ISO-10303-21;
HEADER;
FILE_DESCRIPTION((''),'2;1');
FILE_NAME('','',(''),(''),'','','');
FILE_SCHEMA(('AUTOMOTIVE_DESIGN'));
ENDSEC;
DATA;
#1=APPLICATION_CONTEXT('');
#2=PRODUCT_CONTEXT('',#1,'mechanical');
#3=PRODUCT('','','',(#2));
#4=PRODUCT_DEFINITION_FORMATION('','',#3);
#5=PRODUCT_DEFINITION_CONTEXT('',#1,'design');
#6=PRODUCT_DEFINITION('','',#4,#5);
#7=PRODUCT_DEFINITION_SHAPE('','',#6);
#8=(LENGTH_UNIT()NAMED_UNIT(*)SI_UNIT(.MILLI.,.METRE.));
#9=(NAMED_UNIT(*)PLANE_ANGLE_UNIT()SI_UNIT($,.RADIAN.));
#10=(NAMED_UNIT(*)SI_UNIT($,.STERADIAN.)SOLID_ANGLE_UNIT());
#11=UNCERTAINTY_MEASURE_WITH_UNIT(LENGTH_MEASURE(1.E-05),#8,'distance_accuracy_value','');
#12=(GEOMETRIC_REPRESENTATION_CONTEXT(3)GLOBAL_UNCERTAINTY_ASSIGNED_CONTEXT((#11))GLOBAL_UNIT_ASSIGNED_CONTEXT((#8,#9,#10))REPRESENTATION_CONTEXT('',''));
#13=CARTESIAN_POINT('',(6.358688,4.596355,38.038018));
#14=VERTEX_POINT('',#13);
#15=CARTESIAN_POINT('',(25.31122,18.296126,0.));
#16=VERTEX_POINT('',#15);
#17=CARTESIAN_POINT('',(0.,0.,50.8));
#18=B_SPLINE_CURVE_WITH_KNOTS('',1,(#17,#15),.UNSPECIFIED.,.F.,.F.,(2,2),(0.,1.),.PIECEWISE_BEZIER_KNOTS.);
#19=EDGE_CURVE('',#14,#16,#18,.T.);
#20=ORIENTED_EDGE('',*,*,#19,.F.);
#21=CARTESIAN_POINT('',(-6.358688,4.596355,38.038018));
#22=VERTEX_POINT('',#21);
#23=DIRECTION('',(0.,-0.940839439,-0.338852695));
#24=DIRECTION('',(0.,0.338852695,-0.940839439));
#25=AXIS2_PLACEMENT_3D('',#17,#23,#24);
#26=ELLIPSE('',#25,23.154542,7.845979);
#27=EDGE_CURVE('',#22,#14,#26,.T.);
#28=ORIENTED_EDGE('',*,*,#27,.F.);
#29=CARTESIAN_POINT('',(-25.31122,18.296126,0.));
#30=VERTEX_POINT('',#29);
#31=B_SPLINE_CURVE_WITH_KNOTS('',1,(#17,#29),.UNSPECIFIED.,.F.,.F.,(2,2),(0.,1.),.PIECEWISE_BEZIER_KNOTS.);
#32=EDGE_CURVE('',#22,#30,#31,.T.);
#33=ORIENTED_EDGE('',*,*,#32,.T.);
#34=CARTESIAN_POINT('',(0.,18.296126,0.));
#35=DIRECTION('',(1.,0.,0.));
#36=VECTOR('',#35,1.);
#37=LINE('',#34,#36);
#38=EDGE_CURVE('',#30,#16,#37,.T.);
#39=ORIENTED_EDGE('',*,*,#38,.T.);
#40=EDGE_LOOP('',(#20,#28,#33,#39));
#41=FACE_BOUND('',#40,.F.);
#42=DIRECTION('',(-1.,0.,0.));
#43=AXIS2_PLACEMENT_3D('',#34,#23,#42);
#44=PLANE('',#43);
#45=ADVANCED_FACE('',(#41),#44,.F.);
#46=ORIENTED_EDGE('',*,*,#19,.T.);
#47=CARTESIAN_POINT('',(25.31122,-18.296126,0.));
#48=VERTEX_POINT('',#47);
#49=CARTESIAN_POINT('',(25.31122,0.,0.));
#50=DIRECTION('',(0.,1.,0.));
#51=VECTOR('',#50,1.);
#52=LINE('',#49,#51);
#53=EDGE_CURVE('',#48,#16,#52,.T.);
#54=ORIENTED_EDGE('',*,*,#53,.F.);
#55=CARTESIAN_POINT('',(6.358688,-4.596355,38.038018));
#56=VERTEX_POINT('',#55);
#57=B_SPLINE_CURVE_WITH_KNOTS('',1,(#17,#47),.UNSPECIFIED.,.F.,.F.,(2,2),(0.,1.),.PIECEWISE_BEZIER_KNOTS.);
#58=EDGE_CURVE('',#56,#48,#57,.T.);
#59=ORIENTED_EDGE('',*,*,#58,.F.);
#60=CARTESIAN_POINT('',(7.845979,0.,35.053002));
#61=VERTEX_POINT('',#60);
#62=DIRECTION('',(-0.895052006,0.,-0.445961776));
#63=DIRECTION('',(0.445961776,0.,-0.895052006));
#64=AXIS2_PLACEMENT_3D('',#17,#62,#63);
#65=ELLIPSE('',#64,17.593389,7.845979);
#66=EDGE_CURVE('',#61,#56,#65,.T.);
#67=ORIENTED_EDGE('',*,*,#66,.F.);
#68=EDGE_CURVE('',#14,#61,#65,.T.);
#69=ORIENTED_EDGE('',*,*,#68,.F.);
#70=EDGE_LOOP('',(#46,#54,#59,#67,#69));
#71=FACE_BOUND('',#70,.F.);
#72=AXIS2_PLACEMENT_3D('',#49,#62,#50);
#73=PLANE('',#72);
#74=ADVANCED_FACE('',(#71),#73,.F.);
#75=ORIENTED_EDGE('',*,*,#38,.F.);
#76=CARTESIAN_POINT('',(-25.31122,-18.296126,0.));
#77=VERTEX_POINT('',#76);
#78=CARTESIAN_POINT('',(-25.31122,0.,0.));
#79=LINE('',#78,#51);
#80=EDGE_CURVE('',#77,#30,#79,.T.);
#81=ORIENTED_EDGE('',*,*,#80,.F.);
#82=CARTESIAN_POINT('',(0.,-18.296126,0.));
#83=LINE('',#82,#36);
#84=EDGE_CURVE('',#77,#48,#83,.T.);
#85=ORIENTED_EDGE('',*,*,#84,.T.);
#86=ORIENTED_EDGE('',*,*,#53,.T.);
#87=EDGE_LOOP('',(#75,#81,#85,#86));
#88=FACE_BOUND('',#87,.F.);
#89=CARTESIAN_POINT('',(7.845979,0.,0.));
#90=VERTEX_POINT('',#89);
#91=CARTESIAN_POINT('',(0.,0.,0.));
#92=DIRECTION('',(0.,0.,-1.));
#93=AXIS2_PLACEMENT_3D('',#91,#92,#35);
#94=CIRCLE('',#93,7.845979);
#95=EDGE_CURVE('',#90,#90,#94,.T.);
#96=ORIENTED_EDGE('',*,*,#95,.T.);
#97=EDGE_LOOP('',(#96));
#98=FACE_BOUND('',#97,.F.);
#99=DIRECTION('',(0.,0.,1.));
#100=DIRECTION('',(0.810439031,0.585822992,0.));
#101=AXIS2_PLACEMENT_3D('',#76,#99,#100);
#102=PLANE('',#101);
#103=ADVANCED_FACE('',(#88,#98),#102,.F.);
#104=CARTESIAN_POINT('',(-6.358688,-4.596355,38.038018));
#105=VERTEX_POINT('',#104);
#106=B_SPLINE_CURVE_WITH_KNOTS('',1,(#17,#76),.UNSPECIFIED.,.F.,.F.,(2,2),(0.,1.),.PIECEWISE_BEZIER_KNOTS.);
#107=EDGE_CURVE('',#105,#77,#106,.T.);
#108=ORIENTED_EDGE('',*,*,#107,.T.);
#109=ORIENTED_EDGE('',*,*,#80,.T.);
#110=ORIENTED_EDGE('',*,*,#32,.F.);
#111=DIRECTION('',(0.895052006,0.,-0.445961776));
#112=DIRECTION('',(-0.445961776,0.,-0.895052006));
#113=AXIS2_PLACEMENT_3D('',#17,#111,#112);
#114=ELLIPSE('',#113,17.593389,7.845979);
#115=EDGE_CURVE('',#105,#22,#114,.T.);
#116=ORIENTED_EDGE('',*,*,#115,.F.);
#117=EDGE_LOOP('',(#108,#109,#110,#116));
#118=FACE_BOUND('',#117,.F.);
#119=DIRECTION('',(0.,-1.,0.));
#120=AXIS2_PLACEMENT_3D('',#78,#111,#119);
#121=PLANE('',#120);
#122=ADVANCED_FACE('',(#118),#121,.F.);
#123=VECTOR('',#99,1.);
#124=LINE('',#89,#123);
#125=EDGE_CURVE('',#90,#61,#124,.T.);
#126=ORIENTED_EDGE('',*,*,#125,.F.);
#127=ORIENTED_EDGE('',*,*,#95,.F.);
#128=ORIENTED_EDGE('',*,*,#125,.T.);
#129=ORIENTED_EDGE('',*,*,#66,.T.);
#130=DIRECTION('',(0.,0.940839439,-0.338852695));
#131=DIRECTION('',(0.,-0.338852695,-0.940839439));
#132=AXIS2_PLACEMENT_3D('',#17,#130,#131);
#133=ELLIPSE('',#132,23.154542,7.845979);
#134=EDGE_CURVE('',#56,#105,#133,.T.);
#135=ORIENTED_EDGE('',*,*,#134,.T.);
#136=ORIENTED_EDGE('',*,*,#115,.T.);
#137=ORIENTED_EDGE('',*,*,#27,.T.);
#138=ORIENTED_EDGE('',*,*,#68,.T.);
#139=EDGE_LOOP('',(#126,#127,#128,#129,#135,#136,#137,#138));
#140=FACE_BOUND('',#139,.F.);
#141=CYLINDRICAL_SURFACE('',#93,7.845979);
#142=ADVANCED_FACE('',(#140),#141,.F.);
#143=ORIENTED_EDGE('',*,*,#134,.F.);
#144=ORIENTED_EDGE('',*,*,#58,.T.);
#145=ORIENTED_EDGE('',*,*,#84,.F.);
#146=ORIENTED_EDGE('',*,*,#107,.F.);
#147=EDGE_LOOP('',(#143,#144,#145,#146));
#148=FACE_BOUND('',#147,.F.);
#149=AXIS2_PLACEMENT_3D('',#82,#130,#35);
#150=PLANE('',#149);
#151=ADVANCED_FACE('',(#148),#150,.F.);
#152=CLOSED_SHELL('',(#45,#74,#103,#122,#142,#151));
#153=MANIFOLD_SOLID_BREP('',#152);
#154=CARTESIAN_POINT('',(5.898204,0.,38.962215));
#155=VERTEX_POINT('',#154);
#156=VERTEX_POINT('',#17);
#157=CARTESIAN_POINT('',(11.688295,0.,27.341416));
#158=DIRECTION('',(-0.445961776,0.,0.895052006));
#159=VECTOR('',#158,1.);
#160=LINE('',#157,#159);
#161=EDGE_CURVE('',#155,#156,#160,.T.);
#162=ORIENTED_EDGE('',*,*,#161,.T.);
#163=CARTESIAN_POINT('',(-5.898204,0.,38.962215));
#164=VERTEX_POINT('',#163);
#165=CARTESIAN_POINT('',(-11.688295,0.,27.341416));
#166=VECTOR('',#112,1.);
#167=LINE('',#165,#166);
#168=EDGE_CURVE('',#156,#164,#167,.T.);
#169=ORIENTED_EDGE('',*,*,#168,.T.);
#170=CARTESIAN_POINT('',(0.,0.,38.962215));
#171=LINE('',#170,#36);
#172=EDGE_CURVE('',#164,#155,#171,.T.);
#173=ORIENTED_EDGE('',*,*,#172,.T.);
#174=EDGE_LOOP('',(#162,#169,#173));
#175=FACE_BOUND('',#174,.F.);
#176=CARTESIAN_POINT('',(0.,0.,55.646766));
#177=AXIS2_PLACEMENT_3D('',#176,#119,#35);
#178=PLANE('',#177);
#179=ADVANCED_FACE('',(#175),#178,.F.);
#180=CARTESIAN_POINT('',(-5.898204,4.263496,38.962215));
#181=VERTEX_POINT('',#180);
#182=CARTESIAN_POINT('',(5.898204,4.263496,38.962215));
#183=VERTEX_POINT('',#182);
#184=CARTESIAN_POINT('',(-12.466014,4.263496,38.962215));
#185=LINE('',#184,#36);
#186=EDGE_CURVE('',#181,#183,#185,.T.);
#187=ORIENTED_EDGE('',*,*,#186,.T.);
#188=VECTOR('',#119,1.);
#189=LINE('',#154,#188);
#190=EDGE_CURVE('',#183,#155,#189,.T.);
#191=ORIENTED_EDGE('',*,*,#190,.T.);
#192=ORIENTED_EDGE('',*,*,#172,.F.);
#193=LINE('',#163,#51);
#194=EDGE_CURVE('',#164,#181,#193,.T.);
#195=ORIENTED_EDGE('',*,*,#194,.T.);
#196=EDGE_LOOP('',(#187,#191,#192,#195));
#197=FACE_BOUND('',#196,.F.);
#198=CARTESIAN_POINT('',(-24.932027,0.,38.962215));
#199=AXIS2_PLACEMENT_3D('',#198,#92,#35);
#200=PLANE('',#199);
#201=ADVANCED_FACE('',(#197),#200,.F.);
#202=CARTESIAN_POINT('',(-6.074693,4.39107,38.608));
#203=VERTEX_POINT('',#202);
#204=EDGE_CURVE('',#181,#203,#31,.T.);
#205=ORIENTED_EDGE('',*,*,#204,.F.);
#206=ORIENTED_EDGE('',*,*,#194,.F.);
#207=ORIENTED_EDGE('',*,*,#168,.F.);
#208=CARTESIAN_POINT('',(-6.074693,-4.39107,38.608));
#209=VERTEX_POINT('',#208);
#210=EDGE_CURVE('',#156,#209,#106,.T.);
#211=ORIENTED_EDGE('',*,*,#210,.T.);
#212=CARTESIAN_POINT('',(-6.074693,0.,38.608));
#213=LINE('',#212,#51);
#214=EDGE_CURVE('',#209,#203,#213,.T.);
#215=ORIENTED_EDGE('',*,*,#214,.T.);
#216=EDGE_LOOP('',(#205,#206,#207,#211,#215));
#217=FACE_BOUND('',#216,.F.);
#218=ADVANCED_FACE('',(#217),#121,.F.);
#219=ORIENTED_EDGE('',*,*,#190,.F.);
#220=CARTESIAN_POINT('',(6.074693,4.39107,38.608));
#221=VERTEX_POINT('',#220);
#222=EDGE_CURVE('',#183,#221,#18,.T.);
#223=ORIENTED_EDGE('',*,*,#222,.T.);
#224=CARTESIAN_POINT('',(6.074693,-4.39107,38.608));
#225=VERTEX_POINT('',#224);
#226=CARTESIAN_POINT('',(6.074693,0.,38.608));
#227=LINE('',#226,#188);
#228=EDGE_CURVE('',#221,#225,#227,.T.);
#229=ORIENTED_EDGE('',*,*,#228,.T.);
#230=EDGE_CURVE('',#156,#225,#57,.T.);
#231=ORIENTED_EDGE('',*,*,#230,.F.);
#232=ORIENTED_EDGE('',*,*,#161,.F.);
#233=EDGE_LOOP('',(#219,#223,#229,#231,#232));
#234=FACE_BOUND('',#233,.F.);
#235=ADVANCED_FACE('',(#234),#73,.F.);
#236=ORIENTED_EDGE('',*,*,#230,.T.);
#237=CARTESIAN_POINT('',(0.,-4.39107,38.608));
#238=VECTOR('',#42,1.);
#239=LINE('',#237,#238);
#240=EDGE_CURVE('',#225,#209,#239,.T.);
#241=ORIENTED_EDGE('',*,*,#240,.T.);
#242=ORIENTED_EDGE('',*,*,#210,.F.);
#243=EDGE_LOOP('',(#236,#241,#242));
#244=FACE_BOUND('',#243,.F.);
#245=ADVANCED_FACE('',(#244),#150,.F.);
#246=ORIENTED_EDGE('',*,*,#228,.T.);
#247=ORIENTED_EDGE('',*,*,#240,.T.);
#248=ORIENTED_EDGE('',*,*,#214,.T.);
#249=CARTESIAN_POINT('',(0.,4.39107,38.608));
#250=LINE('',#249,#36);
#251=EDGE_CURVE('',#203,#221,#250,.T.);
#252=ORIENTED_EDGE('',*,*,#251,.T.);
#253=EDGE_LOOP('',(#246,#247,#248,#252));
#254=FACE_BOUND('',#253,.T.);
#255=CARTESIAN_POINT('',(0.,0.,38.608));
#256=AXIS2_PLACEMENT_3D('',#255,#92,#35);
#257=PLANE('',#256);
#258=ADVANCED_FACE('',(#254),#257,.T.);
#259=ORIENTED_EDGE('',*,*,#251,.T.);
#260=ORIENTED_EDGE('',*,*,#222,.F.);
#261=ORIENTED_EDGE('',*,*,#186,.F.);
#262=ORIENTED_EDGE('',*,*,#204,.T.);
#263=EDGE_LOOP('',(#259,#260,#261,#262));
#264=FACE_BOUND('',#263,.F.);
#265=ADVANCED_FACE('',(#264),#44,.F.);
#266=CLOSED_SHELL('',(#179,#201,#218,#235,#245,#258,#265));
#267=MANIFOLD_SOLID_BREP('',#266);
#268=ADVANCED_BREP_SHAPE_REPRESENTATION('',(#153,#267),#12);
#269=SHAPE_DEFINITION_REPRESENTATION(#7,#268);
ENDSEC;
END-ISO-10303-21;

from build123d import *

# Parameters (mm, degrees)
F0_W     = 50.62244
F0_H     = 36.592252
F4_W     = 49.864054
F4_H     = 33.369102
F5_DEPTH = 127
F6_R     = 7.845979
F7_DEPTH = 38.608


with BuildPart() as f3:
    # F0 (on Top) → F3 section 0
    with BuildSketch(Plane.XY, mode=Mode.PRIVATE) as f3_s0:
        Rectangle(F0_W, F0_H)
    loft([Vertex(0, 0, 50.8), f3_s0.sketch])

    # F4 (on Front) → F5 (cut)
    with BuildSketch(Plane.XZ):
        with Locations((0, 55.646766)):
            Rectangle(F4_W, F4_H)
    extrude(amount=-F5_DEPTH, mode=Mode.SUBTRACT)

    # F6 (on face) → F7 (cut)
    with BuildSketch(Plane(origin=(0, 0, 0), x_dir=(1, 0, 0), z_dir=(0, 0, -1))):
        Circle(F6_R)
    extrude(amount=-F7_DEPTH, mode=Mode.SUBTRACT)


solid = f3.part
